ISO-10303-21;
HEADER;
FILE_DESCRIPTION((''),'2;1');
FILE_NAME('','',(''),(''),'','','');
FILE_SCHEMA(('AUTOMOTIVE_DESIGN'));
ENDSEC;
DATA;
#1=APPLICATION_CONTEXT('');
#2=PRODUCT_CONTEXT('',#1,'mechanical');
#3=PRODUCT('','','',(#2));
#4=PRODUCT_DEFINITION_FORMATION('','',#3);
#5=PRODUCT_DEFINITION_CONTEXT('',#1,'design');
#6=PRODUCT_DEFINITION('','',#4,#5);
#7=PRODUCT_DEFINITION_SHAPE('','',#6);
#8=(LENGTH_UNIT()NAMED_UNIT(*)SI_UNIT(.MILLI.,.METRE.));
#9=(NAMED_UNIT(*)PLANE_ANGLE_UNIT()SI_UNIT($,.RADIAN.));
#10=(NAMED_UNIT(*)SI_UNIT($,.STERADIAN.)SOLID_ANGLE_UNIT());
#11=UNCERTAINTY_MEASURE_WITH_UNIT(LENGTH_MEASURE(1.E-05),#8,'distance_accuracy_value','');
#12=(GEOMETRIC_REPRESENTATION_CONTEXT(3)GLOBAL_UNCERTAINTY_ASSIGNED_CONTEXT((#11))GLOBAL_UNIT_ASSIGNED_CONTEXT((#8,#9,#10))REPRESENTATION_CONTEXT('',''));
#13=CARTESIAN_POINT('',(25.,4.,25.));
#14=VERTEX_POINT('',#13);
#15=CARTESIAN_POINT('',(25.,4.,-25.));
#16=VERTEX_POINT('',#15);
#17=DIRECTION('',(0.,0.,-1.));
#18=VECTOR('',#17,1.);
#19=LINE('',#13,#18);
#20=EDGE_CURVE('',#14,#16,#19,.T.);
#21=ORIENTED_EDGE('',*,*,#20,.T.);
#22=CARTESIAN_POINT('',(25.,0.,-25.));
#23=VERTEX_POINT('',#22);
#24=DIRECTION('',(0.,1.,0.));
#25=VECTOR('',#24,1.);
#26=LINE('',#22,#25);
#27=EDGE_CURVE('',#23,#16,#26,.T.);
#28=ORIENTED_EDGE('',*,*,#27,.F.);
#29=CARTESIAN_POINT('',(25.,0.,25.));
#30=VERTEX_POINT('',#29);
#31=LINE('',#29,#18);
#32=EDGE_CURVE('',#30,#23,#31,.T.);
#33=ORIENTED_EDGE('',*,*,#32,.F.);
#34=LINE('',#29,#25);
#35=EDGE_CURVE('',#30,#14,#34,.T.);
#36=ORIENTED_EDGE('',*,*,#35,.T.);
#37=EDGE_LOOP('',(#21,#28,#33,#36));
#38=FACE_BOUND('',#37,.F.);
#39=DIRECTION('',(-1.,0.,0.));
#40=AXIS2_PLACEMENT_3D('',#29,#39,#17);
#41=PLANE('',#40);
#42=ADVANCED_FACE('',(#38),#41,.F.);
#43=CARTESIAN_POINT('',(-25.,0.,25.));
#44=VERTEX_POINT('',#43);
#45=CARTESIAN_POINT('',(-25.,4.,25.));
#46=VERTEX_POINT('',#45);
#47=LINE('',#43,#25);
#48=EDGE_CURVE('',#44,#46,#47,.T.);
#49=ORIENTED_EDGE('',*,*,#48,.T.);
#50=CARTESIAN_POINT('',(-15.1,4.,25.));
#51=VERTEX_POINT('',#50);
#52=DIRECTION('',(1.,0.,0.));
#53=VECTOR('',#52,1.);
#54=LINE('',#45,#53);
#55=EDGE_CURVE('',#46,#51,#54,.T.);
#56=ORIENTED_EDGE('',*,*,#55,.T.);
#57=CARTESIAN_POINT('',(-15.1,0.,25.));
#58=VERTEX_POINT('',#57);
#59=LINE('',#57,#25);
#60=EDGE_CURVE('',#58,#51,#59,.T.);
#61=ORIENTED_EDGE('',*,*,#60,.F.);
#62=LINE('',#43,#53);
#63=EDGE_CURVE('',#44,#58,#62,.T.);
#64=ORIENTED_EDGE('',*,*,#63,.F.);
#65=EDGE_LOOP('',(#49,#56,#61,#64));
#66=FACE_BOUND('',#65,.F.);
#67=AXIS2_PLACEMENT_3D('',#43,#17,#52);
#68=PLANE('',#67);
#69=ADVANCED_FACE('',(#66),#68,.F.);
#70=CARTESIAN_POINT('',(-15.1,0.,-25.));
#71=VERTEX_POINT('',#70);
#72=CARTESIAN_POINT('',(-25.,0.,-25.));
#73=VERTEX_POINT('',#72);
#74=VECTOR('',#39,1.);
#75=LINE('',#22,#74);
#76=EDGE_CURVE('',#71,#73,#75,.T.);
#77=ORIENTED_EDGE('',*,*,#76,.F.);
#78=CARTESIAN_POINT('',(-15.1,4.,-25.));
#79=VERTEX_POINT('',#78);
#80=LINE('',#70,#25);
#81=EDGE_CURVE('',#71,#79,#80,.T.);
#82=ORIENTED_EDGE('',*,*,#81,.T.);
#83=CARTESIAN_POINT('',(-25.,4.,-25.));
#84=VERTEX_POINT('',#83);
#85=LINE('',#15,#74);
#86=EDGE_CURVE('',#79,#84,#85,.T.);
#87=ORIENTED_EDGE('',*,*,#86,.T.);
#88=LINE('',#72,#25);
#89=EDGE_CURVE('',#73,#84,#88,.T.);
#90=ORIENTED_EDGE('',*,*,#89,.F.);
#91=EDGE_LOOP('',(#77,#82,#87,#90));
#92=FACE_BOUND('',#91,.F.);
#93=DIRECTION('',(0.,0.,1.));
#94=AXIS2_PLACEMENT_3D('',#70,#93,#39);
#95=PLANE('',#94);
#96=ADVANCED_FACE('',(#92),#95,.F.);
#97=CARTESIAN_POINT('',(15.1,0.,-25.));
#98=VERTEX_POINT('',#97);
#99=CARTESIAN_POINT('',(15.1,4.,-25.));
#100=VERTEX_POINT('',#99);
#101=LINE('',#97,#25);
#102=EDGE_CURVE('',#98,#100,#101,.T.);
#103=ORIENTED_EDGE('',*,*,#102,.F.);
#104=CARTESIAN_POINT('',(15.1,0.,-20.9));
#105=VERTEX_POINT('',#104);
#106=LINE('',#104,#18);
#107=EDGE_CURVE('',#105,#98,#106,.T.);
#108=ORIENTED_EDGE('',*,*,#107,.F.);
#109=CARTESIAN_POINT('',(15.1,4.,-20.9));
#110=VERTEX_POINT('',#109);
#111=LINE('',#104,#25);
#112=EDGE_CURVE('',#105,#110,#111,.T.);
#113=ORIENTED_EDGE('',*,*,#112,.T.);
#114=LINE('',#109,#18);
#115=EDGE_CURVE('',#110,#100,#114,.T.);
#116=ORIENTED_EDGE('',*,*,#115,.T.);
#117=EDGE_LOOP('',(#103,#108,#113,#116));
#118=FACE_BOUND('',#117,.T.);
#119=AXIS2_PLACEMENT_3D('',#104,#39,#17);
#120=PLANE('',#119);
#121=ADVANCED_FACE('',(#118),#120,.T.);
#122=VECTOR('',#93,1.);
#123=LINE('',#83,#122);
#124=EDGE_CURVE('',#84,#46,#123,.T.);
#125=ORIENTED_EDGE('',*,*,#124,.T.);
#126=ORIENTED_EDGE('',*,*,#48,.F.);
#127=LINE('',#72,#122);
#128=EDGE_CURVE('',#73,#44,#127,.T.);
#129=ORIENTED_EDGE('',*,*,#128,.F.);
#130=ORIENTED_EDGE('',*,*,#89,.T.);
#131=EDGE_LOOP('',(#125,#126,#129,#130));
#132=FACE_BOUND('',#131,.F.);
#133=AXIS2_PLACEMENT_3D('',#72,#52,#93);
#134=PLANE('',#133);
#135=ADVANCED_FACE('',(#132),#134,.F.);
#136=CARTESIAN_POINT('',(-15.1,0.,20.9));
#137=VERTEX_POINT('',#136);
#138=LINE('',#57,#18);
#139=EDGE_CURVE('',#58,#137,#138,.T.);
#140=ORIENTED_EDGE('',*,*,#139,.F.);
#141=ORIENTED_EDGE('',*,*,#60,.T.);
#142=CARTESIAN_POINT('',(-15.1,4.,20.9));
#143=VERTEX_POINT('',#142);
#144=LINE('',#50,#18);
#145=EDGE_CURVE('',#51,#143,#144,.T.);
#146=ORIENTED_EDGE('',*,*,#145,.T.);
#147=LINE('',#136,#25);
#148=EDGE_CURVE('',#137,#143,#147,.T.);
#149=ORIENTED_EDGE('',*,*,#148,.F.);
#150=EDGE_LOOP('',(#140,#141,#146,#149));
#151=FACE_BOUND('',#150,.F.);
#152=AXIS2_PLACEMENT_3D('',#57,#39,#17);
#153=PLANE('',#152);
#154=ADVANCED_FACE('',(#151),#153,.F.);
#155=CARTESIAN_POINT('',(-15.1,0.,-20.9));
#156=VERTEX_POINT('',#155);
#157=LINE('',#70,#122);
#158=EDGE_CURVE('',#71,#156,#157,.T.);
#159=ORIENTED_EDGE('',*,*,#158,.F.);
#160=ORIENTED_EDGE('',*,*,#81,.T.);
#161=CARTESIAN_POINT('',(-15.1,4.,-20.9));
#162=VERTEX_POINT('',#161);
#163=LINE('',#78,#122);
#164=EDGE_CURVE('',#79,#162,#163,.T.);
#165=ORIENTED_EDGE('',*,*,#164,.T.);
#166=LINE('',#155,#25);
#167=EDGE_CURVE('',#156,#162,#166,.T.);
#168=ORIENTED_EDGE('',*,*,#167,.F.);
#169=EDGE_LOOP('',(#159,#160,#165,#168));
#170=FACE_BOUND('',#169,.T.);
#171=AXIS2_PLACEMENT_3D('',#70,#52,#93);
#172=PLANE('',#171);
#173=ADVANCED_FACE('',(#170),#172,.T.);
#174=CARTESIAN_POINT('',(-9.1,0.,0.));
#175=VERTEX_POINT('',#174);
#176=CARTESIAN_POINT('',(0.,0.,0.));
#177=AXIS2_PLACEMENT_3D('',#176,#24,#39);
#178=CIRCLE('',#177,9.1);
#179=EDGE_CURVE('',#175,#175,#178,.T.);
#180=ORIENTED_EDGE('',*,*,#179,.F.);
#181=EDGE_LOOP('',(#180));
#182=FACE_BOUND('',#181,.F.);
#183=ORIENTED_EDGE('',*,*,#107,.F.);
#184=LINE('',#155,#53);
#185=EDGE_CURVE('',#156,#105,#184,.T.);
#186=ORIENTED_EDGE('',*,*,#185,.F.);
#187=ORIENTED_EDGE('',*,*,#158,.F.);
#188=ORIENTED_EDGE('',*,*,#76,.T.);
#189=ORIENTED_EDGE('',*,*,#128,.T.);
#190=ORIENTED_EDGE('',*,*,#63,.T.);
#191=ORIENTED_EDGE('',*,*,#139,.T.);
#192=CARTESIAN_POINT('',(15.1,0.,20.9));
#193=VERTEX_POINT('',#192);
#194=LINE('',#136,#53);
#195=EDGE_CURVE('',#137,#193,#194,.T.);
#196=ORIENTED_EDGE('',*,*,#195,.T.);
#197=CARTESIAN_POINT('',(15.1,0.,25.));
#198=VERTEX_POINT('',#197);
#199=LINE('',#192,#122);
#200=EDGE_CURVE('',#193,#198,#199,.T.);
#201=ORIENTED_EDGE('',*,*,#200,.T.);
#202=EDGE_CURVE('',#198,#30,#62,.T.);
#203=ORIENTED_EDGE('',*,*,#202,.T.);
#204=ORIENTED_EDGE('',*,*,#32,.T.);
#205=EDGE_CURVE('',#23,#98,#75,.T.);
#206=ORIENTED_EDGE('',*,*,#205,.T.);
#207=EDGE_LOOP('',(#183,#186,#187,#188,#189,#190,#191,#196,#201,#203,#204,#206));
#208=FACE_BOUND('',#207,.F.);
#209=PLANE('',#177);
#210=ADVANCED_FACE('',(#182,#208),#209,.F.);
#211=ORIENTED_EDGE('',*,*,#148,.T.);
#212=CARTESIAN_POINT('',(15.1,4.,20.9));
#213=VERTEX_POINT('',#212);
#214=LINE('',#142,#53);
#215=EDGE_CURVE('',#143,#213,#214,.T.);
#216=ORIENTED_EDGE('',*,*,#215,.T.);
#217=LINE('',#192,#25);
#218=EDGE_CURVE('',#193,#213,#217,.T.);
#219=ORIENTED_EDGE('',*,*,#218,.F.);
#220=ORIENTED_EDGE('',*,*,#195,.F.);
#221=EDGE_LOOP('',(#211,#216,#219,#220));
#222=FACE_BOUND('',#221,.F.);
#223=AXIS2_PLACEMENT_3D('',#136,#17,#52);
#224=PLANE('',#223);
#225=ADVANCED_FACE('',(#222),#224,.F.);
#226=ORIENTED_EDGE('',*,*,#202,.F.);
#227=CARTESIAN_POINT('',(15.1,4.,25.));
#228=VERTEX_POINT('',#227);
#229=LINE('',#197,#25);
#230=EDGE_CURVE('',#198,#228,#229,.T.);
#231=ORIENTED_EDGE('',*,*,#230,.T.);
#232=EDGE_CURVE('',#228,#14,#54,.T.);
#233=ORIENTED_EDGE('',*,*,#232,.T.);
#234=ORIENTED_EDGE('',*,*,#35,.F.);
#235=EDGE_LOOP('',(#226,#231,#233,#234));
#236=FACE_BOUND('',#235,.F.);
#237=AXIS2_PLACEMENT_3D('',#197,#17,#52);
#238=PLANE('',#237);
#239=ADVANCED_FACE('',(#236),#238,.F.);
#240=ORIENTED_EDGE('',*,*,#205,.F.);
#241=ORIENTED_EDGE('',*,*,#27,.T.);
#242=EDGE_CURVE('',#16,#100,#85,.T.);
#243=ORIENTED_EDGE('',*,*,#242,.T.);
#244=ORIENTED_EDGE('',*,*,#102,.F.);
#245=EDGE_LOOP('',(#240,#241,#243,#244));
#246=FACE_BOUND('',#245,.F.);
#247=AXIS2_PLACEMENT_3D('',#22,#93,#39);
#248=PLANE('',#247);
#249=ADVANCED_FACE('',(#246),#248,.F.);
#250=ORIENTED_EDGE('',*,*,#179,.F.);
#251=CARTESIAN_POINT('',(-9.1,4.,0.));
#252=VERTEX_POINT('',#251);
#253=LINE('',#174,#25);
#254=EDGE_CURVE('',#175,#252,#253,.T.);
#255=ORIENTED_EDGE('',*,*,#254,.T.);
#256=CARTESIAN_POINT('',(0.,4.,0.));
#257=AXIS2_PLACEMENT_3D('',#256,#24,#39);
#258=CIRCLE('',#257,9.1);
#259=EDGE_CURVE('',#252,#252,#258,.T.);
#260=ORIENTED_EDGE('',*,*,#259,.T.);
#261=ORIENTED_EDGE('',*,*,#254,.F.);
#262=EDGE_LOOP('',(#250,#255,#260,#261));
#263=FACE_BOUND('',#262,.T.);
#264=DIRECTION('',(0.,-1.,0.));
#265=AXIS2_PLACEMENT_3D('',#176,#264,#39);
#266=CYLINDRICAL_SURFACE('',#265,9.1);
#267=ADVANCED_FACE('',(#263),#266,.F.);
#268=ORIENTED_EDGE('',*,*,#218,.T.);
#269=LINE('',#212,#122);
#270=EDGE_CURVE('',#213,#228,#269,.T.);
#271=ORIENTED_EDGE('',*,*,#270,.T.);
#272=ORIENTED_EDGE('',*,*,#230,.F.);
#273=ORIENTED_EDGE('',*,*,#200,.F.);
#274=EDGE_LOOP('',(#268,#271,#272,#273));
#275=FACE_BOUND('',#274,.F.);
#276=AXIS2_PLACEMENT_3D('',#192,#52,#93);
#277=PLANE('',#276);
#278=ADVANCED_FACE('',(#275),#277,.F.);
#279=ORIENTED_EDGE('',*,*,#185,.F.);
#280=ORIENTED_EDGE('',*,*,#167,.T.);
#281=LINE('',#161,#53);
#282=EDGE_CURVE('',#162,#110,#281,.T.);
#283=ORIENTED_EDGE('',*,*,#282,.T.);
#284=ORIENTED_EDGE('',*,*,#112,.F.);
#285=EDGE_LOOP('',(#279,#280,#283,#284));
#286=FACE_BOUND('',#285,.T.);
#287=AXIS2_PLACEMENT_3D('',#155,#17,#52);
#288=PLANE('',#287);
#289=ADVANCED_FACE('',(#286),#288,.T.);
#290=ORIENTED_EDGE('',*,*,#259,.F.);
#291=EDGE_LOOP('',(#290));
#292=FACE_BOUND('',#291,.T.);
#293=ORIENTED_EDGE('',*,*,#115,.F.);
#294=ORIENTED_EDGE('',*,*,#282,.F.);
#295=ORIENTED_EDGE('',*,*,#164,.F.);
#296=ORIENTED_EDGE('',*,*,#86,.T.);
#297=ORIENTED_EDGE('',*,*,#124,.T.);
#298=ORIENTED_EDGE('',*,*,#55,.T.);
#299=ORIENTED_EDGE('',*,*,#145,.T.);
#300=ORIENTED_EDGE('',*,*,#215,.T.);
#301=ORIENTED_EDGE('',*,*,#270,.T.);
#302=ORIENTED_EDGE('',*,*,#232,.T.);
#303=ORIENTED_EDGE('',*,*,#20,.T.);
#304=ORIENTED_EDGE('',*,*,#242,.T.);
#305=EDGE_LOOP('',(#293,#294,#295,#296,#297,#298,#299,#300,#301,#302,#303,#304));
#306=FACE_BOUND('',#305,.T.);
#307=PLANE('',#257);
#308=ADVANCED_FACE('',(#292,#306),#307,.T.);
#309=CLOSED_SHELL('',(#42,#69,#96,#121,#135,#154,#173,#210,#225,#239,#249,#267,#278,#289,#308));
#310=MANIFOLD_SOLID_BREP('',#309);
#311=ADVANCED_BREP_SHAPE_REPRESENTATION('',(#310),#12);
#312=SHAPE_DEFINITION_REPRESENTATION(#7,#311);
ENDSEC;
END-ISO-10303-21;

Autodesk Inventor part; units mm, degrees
ref_plane "YZ Plane" through (0, 0, 0) normal (1, 0, 0) x (0, 1, 0)
ref_plane "XZ Plane" through (0, 0, 0) normal (0, 1, 0) x (-1, 0, 0)
ref_plane "XY Plane" through (0, 0, 0) normal (0, 0, 1) x (1, 0, 0)
sketch "스케치1" plane through (0, 0, 0) normal (0, 1, 0) x (-1, 0, 0)
  line L0 (25, 25) -> (-25, 25)
  line L1 (-25, 25) -> (-25, -25)
  line L2 (-25, -25) -> (25, -25)
  line L3 (25, -25) -> (25, 25)
  circle A0 centre (0, 0) radius 9.1
  line L4 (15.1, 25) -> (15.1, 20.9)
  line L5 (15.1, 20.9) -> (-15.1, 20.9)
  line L6 (-15.1, 20.9) -> (-15.1, 25)
  line L7 (15.1, -25) -> (15.1, -20.9)
  line L8 (15.1, -20.9) -> (-15.1, -20.9)
  line L9 (-15.1, -20.9) -> (-15.1, -25)
  point P0 (15.1, 22.95)
  point P1 (15.1, -22.95)
  dimension "d0" = 25
  dimension "d2" = 25
  dimension "d3" = 25
  dimension "d4" = 25
  dimension "d5" = 18.2
  dimension "d6" = 30.2
  dimension "d7" = 30.2
  dimension "d8" = 9.9
  dimension "d9" = 9.9
  dimension "d10" = 4.1
  dimension "d11" = 4.1
extrude "돌출1" add sketch "스케치1" along normal blind 4 contours L3 L2 L7 L8 L9 L1 L0 L6 L5 L4
properties part number "센서 마운트"
